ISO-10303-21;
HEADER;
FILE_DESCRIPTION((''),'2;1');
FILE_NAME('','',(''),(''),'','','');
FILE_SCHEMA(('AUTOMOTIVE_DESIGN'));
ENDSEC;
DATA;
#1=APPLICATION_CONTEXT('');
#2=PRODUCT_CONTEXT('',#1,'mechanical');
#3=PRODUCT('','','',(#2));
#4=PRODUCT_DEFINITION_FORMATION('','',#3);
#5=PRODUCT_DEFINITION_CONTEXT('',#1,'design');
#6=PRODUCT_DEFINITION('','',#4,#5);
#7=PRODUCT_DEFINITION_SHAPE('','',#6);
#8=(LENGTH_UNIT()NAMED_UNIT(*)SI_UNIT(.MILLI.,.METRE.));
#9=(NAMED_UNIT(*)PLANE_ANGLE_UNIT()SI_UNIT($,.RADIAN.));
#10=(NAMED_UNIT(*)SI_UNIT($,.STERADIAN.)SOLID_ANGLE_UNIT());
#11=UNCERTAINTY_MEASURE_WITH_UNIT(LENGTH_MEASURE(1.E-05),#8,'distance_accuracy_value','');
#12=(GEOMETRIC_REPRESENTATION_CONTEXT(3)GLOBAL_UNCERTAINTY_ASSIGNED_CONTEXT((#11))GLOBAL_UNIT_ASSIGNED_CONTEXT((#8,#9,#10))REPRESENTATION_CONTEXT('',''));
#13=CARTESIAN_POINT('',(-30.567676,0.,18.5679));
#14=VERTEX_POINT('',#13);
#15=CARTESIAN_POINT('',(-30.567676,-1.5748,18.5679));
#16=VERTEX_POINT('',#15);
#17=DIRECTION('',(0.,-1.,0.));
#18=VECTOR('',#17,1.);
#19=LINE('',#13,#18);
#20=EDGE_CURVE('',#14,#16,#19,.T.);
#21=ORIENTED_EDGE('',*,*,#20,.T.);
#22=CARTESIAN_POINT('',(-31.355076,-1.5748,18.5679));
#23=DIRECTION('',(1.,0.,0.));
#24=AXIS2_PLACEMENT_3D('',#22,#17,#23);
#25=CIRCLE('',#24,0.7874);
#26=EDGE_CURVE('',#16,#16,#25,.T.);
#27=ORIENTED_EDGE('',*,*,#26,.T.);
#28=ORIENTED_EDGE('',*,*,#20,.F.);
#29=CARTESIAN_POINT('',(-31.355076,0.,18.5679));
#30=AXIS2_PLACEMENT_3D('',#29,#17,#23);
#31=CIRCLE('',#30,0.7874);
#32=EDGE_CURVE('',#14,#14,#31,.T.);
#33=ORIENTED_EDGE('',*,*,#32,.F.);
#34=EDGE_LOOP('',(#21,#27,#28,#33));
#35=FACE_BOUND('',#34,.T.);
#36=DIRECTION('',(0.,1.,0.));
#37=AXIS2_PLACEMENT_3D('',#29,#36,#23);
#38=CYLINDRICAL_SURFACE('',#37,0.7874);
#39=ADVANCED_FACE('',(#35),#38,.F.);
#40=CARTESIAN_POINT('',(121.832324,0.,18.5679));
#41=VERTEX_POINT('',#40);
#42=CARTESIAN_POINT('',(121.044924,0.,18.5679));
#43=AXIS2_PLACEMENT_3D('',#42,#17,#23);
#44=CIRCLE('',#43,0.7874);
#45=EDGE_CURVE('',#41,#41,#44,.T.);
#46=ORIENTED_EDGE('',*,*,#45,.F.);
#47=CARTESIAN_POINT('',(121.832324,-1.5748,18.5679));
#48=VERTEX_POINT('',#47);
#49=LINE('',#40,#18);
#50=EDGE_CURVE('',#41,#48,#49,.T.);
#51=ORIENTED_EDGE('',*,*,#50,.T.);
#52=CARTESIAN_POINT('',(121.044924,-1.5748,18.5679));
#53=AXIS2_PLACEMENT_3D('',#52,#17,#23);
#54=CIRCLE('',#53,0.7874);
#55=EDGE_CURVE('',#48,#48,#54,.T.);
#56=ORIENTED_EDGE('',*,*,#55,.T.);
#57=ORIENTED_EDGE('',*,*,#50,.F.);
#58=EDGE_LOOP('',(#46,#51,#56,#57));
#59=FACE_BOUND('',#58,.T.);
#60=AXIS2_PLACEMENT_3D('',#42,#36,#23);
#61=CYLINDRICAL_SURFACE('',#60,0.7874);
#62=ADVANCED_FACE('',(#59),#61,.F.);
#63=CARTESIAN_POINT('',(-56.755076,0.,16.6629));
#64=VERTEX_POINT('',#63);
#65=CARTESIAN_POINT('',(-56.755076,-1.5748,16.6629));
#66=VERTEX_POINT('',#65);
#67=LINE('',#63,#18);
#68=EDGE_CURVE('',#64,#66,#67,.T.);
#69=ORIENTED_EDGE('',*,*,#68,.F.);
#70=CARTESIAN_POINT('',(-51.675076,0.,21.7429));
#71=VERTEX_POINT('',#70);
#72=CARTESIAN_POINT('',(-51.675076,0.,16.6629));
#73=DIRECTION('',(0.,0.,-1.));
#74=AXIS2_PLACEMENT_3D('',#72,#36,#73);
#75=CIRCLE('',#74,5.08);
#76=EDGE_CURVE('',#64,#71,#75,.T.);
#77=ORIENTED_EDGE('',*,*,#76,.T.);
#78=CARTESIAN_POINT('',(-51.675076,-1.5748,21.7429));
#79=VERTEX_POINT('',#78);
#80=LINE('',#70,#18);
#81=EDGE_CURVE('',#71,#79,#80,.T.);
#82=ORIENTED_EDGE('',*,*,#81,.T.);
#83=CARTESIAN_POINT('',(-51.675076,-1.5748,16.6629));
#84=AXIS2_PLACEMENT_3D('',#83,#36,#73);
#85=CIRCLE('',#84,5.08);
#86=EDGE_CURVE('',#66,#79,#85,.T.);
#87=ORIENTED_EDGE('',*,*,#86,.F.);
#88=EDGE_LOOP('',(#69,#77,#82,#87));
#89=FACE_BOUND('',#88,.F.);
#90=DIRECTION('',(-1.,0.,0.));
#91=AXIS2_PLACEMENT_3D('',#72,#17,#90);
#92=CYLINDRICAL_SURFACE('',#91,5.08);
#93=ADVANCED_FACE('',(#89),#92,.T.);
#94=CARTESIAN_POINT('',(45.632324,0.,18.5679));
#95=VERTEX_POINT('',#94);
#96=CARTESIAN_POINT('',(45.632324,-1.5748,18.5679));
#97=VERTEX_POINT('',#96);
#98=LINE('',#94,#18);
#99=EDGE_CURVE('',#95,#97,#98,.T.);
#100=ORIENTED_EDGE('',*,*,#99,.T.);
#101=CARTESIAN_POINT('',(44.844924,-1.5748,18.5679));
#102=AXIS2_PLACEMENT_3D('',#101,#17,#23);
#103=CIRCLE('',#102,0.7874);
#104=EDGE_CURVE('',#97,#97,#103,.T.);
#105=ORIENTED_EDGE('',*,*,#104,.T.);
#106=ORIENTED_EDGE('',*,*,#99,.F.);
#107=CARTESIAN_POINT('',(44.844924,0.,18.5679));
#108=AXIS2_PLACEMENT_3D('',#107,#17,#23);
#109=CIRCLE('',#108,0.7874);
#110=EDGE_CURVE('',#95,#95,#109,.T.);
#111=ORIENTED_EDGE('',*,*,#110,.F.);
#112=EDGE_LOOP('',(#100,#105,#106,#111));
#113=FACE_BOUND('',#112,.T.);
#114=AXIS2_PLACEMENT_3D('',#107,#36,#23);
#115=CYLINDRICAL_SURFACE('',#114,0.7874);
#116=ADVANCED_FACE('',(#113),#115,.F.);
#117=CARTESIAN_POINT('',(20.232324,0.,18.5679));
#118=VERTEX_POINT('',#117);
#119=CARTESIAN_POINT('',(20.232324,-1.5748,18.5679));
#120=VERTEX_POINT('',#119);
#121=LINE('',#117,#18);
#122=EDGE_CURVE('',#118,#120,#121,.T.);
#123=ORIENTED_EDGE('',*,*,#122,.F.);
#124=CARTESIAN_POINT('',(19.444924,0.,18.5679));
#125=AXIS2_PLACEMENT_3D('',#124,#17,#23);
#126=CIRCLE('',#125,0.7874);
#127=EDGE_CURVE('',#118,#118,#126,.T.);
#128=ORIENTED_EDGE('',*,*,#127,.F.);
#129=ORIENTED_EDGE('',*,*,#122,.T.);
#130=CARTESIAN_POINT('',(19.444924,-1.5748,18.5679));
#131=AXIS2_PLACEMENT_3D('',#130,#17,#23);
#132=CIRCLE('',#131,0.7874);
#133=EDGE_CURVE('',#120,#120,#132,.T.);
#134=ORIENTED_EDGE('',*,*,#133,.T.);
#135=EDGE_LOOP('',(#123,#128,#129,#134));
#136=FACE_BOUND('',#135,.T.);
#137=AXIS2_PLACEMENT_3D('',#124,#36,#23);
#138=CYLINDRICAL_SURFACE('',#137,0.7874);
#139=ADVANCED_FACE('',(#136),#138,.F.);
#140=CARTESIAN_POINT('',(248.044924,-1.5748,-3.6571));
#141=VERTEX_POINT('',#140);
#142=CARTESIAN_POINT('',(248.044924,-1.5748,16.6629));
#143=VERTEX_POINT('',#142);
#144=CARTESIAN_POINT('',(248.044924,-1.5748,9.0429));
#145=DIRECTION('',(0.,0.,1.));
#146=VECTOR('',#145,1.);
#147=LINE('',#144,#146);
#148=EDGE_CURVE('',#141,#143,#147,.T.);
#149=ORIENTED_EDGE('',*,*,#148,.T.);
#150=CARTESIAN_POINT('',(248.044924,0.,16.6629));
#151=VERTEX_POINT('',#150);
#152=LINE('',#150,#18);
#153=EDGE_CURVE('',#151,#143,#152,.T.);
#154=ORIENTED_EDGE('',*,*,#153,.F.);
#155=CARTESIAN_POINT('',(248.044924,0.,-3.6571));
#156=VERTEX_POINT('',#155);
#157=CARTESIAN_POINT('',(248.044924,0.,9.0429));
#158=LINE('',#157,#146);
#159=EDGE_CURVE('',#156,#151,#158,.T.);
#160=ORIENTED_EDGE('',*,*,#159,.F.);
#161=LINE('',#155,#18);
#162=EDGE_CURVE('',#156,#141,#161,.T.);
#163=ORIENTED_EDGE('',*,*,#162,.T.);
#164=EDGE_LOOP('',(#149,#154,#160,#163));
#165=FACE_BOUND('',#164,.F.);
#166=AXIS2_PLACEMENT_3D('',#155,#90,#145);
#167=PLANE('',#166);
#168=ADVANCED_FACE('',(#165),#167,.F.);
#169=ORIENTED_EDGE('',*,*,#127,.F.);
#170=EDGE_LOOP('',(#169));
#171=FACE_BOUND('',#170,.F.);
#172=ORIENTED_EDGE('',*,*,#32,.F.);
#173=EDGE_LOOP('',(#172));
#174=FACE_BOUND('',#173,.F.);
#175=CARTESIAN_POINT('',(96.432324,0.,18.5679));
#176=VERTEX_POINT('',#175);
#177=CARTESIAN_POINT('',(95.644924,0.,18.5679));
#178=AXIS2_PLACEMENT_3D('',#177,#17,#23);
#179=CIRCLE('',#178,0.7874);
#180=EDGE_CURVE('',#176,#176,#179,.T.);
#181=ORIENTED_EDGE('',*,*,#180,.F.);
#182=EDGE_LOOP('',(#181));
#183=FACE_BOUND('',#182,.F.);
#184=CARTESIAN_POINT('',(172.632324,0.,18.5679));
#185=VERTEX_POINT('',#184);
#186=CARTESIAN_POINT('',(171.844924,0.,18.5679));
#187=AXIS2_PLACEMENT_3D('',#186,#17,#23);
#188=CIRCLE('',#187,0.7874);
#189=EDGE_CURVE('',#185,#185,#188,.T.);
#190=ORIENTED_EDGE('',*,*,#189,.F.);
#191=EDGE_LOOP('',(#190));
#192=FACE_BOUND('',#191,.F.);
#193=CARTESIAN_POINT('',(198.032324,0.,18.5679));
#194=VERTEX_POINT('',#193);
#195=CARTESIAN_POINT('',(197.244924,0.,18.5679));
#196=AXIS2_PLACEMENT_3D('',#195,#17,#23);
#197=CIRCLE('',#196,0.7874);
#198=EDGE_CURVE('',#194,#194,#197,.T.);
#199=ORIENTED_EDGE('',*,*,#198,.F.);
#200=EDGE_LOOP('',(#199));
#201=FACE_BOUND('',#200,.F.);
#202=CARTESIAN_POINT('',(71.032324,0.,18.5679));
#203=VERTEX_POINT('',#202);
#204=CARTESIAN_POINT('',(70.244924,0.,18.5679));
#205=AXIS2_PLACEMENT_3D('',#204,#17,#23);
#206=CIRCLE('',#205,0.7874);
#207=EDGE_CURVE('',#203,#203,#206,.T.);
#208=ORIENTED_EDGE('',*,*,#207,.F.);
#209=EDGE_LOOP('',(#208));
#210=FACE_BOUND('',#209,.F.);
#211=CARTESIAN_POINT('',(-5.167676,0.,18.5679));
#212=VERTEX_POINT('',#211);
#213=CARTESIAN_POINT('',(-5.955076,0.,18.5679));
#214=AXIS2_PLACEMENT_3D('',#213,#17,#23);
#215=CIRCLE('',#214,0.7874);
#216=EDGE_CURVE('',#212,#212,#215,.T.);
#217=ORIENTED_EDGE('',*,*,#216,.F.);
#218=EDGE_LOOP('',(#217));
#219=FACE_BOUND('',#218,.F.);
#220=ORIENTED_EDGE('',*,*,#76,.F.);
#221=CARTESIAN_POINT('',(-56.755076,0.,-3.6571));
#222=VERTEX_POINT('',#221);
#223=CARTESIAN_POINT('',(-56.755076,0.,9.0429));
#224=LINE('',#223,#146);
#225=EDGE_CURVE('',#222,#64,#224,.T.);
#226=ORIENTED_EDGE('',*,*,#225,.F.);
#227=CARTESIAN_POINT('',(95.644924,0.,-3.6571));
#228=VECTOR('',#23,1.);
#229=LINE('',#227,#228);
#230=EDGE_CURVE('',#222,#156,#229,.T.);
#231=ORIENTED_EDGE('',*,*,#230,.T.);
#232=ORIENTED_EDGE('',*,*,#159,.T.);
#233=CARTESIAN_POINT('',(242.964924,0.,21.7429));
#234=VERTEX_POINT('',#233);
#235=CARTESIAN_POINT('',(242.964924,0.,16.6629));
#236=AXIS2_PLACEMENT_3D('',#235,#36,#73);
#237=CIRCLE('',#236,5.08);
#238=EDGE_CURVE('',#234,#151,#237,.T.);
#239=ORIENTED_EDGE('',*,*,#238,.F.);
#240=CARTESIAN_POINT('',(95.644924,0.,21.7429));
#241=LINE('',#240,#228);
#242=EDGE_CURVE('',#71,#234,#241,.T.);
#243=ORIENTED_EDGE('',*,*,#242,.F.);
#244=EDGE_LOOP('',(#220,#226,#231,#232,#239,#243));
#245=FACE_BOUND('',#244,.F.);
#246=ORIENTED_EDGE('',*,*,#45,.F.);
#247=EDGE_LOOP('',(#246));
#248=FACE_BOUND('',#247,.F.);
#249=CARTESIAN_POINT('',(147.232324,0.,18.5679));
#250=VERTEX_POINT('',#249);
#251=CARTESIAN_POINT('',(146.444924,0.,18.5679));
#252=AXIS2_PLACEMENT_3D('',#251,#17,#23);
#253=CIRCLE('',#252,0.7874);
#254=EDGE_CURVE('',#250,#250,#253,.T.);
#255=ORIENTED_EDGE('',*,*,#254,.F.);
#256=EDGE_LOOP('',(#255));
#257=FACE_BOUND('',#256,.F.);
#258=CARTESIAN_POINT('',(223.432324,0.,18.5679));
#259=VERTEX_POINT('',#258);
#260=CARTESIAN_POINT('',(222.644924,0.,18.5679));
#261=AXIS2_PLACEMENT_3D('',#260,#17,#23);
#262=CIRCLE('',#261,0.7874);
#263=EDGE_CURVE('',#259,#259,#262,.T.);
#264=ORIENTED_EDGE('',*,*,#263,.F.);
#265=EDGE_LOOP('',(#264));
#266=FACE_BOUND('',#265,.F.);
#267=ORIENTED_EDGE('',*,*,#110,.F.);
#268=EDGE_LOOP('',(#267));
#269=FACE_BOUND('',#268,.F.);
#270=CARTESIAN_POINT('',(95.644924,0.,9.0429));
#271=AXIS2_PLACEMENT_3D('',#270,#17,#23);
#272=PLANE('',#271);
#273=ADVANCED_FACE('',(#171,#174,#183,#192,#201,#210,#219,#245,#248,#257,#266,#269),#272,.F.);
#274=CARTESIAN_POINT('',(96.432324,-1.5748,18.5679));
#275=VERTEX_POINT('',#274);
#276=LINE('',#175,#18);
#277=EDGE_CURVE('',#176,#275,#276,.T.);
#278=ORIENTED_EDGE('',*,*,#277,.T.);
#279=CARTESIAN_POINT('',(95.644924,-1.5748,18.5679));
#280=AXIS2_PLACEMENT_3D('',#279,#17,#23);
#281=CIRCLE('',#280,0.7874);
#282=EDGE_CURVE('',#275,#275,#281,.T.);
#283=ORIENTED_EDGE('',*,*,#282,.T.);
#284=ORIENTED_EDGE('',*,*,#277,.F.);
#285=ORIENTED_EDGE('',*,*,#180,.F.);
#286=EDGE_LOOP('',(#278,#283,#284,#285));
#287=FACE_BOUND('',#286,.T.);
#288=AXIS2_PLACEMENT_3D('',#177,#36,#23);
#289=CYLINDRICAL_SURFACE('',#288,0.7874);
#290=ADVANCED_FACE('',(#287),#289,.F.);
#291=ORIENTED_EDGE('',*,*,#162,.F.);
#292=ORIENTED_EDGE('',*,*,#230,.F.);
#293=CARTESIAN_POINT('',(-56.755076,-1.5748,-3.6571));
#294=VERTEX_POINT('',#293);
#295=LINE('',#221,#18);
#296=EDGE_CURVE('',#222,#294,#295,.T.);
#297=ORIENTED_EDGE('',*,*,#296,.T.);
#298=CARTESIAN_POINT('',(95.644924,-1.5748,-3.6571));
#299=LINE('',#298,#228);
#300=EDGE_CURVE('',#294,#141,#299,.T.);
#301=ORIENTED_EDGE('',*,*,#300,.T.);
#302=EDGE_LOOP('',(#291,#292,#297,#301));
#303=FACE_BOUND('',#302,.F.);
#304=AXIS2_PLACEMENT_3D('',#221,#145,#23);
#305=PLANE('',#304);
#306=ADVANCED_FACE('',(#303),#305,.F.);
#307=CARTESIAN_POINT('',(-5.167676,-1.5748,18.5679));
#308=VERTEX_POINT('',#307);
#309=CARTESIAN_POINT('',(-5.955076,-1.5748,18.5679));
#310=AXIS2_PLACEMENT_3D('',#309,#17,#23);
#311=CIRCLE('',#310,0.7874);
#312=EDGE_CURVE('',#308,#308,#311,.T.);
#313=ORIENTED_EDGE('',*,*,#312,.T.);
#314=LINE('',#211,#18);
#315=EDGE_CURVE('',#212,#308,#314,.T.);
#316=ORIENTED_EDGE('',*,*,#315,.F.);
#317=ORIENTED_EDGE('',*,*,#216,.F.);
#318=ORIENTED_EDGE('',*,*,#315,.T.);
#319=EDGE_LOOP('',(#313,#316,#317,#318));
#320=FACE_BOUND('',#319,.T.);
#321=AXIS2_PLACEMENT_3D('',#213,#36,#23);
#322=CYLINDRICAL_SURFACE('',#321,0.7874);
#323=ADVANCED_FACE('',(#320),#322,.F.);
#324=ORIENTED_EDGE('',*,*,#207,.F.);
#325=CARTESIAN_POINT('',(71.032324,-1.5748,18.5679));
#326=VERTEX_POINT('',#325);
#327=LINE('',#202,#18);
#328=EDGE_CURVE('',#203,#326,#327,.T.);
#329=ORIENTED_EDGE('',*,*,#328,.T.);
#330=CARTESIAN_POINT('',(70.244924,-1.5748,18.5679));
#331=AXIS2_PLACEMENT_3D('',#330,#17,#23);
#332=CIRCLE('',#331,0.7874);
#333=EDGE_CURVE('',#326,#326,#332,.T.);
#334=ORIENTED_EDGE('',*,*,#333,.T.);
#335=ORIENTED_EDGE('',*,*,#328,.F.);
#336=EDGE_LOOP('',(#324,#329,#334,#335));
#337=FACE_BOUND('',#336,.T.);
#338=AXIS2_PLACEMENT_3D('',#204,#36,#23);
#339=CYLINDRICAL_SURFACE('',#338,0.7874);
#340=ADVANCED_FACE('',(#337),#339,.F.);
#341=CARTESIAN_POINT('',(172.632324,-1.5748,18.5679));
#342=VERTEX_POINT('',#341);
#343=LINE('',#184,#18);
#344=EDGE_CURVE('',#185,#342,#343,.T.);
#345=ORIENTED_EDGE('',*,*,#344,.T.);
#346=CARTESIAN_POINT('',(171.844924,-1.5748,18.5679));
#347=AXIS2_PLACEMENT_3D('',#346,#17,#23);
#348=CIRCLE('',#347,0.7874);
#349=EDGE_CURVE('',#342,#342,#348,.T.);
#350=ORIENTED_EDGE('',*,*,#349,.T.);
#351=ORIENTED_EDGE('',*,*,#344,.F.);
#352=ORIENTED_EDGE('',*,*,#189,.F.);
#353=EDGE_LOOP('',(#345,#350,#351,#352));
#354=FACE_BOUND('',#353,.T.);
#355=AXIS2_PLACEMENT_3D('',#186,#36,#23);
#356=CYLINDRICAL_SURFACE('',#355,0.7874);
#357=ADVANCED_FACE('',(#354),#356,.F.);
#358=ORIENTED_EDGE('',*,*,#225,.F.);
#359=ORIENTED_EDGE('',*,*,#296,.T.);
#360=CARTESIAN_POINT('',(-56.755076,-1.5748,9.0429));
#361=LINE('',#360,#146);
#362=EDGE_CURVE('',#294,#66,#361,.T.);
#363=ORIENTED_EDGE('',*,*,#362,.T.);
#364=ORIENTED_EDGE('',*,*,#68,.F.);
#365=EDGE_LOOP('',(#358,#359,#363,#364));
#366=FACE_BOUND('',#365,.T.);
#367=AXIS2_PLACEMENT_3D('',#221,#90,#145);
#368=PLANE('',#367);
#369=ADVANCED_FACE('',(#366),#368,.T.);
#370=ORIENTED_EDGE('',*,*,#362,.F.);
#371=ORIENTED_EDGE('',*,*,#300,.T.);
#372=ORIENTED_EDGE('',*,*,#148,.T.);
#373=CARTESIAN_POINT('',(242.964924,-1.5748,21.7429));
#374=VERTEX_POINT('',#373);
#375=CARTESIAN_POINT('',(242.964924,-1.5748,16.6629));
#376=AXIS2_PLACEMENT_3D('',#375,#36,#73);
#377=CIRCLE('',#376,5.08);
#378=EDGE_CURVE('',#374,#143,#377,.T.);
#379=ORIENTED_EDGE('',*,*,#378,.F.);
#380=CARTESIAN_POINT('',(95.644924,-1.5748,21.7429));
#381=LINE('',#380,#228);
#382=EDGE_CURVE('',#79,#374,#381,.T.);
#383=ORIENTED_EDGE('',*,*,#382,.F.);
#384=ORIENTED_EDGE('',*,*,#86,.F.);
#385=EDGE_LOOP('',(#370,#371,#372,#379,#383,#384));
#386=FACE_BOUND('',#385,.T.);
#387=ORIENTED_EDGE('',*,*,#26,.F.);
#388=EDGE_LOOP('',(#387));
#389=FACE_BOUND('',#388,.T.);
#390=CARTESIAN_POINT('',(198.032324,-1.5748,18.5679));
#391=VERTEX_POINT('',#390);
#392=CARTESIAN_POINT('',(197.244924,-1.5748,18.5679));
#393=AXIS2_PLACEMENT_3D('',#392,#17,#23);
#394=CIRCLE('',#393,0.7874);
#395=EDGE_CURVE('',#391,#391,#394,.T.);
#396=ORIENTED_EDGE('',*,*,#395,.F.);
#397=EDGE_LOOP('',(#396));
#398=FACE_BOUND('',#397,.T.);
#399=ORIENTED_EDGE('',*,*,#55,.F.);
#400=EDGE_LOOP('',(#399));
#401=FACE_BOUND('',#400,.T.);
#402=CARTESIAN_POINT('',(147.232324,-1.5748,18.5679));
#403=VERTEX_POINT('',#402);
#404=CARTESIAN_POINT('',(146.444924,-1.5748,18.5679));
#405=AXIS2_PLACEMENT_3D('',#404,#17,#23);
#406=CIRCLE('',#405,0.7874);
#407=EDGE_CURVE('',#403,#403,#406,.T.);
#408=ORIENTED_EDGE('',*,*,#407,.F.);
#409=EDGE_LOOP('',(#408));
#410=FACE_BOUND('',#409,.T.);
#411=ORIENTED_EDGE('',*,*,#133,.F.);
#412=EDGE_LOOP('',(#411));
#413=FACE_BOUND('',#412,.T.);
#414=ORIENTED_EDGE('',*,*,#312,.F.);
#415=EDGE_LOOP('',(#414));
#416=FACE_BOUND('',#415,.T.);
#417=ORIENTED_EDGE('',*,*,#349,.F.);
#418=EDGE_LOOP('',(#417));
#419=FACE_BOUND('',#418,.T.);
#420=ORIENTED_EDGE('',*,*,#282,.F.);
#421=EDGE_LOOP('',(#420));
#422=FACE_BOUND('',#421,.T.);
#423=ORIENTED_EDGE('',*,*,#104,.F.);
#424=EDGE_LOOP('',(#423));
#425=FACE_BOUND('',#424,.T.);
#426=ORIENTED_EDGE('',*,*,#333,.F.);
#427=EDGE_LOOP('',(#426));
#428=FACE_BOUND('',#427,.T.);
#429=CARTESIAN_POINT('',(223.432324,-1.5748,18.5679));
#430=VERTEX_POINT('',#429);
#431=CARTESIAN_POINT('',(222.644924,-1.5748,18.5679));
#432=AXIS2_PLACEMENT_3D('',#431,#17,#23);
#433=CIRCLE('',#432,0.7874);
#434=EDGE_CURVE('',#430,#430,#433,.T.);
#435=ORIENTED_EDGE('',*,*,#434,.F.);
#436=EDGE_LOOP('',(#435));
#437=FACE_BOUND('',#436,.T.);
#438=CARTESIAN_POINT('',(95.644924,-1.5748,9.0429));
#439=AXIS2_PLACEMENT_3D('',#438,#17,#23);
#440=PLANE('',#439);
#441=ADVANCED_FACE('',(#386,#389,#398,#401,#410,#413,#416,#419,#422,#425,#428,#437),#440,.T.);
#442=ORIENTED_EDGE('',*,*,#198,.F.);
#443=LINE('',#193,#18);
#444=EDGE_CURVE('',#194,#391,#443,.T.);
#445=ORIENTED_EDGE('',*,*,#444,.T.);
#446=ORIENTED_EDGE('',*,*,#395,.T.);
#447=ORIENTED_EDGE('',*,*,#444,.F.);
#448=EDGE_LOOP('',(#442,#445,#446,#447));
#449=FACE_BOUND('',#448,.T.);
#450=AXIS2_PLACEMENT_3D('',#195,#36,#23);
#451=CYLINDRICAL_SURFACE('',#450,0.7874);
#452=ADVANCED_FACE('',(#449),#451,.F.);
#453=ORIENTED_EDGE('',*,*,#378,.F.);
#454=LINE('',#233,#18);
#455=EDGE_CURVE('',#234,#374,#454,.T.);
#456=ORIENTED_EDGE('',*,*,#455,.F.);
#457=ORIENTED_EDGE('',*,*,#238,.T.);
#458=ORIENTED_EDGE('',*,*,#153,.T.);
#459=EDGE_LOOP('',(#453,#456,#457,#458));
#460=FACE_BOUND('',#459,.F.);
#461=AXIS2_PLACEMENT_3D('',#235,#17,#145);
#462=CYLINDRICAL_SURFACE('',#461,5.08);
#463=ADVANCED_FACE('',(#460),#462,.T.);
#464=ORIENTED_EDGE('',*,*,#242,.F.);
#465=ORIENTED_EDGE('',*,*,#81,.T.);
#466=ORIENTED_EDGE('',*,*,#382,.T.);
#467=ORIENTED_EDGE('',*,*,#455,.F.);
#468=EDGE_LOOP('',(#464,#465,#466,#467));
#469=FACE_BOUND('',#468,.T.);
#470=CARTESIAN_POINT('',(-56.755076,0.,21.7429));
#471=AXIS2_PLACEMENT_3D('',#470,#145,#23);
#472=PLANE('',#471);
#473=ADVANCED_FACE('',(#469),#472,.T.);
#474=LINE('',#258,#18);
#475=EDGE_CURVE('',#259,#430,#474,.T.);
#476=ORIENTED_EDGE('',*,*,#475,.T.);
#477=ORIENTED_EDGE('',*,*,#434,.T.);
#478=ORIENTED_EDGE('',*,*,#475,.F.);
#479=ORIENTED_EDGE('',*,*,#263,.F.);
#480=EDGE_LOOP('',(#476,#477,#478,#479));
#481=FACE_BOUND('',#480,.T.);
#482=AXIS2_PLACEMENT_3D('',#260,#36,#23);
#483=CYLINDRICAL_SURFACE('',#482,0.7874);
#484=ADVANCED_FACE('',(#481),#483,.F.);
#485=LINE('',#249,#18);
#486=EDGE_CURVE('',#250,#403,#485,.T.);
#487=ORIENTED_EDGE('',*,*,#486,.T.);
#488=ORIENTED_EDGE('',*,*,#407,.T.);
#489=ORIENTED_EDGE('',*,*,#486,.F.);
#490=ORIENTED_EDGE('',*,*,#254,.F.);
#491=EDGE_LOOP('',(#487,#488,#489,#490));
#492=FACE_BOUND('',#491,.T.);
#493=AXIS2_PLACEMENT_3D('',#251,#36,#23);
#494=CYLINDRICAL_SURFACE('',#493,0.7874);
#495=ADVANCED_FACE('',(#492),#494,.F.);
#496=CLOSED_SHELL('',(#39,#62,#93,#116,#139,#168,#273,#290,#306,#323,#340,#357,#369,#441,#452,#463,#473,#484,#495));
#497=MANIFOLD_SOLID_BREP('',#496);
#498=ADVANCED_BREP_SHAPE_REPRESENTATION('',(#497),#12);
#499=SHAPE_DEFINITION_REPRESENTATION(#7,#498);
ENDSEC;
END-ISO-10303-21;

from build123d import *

# Parameters (mm, degrees)
F0_W     = 304.8
F0_H     = 25.4
F0_R     = 0.7874
F1_DEPTH = 1.5748
F2_R     = 5.08


with BuildPart() as f1:
    # F0 (on Front) → F1 (new body)
    with BuildSketch(Plane.XZ):
        with Locations((95.644924, 9.0429)):
            Rectangle(F0_W, F0_H)
        with Locations((-31.355076, 18.5679)):
            Circle(F0_R, mode=Mode.SUBTRACT)
        with Locations((-5.955076, 18.5679)):
            Circle(F0_R, mode=Mode.SUBTRACT)
        with Locations((19.444924, 18.5679)):
            Circle(F0_R, mode=Mode.SUBTRACT)
        with Locations((44.844924, 18.5679)):
            Circle(F0_R, mode=Mode.SUBTRACT)
        with Locations((70.244924, 18.5679)):
            Circle(F0_R, mode=Mode.SUBTRACT)
        with Locations((95.644924, 18.5679)):
            Circle(F0_R, mode=Mode.SUBTRACT)
        with Locations((121.044924, 18.5679)):
            Circle(F0_R, mode=Mode.SUBTRACT)
        with Locations((146.444924, 18.5679)):
            Circle(F0_R, mode=Mode.SUBTRACT)
        with Locations((171.844924, 18.5679)):
            Circle(F0_R, mode=Mode.SUBTRACT)
        with Locations((197.244924, 18.5679)):
            Circle(F0_R, mode=Mode.SUBTRACT)
        with Locations((222.644924, 18.5679)):
            Circle(F0_R, mode=Mode.SUBTRACT)
    extrude(amount=F1_DEPTH)

    # F2
    f2_edges = [f1.edges().sort_by_distance(p)[0] for p in [
        (248.044924, -0.7874, 21.7429),
        (-56.755076, -0.7874, 21.7429),
    ]]
    fillet(f2_edges, radius=F2_R)


solid = f1.part
